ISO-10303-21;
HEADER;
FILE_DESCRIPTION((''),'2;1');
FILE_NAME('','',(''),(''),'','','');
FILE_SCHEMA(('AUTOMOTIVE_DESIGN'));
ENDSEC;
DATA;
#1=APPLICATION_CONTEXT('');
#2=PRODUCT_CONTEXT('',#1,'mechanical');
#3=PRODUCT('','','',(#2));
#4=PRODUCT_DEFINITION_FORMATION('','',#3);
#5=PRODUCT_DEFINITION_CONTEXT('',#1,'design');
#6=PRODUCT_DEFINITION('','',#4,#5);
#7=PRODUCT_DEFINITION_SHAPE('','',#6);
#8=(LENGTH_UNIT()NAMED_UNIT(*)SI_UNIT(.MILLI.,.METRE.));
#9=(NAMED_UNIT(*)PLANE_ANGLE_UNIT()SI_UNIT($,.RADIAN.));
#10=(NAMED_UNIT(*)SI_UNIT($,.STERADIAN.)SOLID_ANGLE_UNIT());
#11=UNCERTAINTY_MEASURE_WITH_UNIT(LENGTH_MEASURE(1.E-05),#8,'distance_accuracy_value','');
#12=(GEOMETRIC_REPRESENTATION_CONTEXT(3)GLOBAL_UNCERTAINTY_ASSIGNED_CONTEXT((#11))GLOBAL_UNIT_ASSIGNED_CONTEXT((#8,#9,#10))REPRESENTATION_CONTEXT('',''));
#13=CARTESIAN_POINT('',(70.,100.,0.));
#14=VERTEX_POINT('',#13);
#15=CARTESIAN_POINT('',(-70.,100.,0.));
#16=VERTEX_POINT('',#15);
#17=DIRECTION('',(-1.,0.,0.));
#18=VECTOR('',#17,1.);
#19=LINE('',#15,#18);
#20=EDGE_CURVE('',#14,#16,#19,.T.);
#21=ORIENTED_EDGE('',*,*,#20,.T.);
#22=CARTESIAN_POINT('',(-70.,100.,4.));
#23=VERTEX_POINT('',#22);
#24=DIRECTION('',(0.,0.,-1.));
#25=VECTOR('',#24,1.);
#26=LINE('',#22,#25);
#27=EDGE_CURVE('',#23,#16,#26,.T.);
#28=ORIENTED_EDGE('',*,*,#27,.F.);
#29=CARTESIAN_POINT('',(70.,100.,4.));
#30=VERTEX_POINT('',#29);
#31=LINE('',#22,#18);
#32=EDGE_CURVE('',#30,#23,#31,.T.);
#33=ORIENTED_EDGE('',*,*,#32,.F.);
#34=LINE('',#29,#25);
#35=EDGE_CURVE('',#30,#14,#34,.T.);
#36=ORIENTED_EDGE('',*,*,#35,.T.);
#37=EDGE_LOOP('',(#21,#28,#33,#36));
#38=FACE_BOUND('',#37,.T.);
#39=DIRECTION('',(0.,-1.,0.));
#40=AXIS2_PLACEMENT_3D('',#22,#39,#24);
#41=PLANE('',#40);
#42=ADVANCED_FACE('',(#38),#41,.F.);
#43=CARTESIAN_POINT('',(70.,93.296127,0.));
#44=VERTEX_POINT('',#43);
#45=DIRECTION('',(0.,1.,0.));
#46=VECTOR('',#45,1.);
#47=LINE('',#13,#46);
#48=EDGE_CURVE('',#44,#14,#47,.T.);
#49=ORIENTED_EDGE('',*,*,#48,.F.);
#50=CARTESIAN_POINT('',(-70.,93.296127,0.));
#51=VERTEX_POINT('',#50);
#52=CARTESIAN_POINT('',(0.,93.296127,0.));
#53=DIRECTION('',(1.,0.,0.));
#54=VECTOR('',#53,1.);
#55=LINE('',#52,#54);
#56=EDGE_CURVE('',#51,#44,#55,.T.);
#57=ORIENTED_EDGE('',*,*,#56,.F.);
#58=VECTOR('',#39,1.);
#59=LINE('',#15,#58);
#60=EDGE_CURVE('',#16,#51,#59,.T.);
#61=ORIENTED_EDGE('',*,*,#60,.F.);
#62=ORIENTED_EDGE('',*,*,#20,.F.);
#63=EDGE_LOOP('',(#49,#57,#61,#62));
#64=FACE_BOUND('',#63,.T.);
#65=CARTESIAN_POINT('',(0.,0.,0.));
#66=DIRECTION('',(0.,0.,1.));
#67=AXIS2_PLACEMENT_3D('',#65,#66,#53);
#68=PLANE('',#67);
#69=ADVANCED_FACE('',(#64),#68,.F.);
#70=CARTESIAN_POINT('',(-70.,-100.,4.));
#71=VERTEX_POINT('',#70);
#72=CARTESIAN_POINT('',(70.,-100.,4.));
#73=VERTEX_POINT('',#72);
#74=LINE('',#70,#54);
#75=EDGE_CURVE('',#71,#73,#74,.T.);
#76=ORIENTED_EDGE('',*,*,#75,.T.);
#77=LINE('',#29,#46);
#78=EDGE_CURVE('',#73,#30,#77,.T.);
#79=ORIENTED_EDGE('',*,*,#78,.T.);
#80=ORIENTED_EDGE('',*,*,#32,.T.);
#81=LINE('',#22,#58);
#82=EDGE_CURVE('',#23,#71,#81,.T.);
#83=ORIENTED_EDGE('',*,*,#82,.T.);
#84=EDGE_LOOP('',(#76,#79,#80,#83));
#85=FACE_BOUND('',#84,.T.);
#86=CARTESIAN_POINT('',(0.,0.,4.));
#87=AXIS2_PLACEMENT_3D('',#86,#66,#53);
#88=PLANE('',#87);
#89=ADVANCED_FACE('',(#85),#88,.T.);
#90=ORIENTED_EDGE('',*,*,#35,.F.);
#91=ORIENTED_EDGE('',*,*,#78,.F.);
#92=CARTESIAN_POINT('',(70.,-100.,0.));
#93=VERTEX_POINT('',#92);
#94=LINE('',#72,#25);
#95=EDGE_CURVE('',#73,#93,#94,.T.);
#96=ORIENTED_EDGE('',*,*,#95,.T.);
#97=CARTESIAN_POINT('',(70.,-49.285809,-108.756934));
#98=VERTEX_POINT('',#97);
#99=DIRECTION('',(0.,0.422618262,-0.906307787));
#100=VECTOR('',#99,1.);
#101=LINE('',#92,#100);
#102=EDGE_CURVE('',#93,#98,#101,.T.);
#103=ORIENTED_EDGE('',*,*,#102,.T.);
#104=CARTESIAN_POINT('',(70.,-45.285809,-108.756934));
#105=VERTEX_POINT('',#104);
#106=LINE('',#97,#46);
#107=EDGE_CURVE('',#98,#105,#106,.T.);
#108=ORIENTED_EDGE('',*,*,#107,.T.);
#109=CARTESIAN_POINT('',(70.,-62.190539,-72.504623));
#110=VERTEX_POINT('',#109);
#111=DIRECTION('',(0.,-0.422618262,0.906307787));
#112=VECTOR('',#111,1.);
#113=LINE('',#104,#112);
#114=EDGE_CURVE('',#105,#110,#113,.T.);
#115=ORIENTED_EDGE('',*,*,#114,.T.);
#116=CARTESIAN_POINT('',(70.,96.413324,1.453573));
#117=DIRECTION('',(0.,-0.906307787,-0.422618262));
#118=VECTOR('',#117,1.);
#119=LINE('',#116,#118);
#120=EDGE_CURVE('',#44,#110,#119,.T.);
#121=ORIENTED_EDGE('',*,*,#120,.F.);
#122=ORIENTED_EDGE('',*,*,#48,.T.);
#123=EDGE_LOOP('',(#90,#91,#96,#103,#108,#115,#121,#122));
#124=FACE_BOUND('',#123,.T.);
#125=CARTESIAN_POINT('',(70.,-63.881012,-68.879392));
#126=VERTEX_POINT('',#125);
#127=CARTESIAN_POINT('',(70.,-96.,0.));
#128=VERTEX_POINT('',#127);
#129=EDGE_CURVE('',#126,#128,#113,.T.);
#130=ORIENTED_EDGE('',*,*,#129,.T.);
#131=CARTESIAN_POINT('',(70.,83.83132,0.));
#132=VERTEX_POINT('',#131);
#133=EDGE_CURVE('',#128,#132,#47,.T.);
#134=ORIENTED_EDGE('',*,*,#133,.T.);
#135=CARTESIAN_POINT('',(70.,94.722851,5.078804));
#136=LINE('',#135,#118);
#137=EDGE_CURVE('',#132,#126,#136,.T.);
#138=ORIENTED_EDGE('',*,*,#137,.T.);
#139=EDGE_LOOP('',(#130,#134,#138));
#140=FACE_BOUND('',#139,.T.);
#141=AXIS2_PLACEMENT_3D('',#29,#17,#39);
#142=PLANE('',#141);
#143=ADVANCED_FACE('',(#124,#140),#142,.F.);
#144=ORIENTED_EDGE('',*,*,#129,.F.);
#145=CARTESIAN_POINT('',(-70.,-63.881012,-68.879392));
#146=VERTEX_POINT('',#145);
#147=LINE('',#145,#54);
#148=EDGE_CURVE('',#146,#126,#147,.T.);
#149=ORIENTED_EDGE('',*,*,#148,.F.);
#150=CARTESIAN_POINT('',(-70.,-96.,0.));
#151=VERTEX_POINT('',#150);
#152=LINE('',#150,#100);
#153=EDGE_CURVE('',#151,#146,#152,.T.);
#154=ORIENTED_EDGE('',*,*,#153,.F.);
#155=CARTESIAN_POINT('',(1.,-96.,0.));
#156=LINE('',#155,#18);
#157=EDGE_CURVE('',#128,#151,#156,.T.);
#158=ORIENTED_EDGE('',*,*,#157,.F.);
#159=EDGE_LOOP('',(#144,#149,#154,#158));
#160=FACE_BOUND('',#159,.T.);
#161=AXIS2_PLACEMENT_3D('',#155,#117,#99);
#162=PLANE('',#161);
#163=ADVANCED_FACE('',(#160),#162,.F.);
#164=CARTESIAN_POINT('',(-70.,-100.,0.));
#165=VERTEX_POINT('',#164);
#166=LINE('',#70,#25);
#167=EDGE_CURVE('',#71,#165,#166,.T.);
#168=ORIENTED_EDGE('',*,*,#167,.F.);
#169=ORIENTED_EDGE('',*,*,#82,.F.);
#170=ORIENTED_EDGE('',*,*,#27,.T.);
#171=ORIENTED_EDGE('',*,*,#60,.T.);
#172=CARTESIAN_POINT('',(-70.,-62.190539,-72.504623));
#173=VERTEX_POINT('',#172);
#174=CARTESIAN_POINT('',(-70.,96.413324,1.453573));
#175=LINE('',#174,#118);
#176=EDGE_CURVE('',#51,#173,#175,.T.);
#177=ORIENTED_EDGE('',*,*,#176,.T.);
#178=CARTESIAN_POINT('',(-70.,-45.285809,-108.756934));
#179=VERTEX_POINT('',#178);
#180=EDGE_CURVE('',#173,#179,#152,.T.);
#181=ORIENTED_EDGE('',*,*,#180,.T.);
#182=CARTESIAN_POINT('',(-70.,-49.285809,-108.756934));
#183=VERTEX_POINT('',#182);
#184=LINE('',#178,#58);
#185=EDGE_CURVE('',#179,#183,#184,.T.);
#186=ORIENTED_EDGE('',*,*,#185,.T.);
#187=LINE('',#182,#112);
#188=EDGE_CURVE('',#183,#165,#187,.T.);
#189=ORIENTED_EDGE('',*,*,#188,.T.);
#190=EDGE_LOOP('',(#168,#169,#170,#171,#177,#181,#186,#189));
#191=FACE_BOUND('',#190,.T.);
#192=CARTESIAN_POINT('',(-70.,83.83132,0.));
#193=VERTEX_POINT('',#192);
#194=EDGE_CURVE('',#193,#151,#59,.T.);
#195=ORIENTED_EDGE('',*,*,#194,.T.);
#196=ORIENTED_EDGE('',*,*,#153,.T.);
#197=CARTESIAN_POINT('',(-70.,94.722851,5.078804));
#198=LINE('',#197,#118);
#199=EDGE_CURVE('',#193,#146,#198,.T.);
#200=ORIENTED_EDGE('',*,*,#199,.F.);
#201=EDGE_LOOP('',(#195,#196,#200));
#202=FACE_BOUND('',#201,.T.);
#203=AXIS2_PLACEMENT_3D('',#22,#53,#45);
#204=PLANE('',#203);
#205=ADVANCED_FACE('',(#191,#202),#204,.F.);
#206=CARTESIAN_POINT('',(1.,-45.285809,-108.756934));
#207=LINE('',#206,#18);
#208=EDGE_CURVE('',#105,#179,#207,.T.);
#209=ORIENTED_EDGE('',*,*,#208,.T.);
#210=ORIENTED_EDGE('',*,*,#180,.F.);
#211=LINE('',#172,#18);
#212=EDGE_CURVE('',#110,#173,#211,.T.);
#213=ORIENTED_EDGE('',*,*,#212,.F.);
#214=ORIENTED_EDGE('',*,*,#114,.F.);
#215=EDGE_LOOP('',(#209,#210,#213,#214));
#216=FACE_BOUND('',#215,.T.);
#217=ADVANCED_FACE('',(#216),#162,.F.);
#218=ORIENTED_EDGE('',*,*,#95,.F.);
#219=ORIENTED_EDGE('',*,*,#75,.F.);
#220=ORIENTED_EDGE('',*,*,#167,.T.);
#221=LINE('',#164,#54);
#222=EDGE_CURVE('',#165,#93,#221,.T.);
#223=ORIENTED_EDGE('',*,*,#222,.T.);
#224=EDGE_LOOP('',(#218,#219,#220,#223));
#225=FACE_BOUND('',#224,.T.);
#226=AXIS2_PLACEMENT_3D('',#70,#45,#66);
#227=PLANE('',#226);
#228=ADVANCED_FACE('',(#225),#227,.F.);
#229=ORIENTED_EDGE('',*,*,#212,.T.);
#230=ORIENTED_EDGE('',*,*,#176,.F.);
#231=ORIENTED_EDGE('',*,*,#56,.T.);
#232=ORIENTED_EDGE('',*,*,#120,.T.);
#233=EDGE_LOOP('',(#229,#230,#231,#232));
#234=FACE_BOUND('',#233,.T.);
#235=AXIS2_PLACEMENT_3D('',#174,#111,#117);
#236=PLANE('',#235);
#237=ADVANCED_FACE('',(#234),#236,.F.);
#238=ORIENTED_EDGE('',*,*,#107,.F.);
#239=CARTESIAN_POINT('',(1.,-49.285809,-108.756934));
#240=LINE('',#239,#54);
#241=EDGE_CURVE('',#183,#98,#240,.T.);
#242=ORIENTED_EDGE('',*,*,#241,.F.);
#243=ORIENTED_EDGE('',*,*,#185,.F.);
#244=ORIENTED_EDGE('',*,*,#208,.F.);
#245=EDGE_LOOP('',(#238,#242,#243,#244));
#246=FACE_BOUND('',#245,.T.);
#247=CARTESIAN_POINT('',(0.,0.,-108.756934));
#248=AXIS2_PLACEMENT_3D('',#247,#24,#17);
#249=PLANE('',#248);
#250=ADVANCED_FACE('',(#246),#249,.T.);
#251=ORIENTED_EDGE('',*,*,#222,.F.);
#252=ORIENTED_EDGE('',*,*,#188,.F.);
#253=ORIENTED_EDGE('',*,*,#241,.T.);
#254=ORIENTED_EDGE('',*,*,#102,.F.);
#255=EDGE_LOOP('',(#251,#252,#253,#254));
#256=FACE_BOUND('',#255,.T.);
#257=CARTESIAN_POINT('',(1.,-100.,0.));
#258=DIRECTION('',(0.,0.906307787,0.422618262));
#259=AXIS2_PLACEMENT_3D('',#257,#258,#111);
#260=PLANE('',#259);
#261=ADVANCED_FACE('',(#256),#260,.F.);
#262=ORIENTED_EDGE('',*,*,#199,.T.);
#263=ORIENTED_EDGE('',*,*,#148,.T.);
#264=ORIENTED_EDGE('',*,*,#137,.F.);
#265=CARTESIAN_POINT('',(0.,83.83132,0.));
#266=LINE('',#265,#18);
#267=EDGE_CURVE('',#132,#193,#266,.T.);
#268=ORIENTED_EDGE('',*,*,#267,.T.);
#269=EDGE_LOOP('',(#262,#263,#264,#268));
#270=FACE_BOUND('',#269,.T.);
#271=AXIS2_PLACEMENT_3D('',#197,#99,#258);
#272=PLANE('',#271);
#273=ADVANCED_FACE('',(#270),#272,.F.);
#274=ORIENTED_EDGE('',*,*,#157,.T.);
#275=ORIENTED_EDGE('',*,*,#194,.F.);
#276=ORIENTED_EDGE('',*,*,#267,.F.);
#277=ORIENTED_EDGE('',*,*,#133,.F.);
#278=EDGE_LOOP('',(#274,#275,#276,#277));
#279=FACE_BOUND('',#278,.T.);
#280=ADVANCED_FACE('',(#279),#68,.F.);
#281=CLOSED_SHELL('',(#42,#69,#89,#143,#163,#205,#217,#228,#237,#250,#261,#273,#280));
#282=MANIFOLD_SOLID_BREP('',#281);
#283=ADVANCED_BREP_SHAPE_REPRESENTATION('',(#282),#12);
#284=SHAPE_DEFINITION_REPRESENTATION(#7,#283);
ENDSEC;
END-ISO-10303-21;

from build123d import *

# Parameters (mm, degrees)
ESBO_O2_W                = 140
ESBO_O2_H                = 200
RESSALTO_EXTRUS_O2_DEPTH = 4
ESBO_O11_W               = 2
ESBO_O11_H               = 4
RESSALTO_EXTRUS_O3_DEPTH = 69
RESSALTO_EXTRUS_O4_DEPTH = 69
ESBO_O14_W               = 140
ESBO_O14_H               = 4
RESSALTO_EXTRUS_O5_DEPTH = 175
ESBO_O17_W               = 140
ESBO_O17_H               = 6
RESSALTO_EXTRUS_O6_DEPTH = 10
ESBO_O18_W               = 140
ESBO_O18_H               = 6
CORTE_EXTRUS_O1_DEPTH    = 10


with BuildPart() as part:
    # Esboço2 → Ressalto-extrusão2 (new body)
    with BuildSketch(Plane.XY):
        Rectangle(ESBO_O2_W, ESBO_O2_H)
    extrude(amount=RESSALTO_EXTRUS_O2_DEPTH)

    # Varredura1: sweep along a curve in space
    with BuildLine() as varredura1_path:
        Line((0, -98, 0), (0, -47.285808591, -108.756934444))
    # Esboço11 → Varredura1 (sweep)
    with BuildSketch(Plane.XY.offset(-108.756934444)):
        with Locations((0, -47.285808591)):
            Rectangle(ESBO_O11_W, ESBO_O11_H)
    sweep(path=varredura1_path.line)

    # Esboço12 → Ressalto-extrusão3 (add)
    with BuildSketch(Plane(origin=(1, 0, 0), x_dir=(0, 0, -1), z_dir=(1, 0, 0))):
        Polygon((108.756934444, -45.285808591), (0, -96), (0, -100), (108.756934444, -49.285808591), align=None)
    extrude(amount=RESSALTO_EXTRUS_O3_DEPTH)

    # Esboço13 → Ressalto-extrusão4 (add)
    with BuildSketch(Plane.ZY.offset(1)):
        Polygon((-108.756934444, -49.285808591), (0, -100), (0, -96), (-108.756934444, -45.285808591), align=None)
    extrude(amount=RESSALTO_EXTRUS_O4_DEPTH)

    # Esboço14 → Ressalto-extrusão5 (add)
    with BuildSketch(Plane(origin=(0, -78.853805265, -36.77013327), x_dir=(1, 0, 0), z_dir=(0, 0.906307787036648, 0.4226182617407039))):
        with Locations((0, 37.428646873)):
            Rectangle(ESBO_O14_W, ESBO_O14_H)
    extrude(amount=RESSALTO_EXTRUS_O5_DEPTH)

    # Esboço17 → Ressalto-extrusão6 (add)
    with BuildSketch(Plane.XY.offset(4)):
        with Locations((0, 93.234832477)):
            Rectangle(ESBO_O17_W, ESBO_O17_H)
    extrude(amount=RESSALTO_EXTRUS_O6_DEPTH)

    # Esboço18 → Corte-extrusão1 (cut)
    with BuildSketch(Plane.XY.offset(14)):
        with Locations((0, 93.234832477)):
            Rectangle(ESBO_O18_W, ESBO_O18_H)
    extrude(amount=-CORTE_EXTRUS_O1_DEPTH, mode=Mode.SUBTRACT)


solid = part.part
